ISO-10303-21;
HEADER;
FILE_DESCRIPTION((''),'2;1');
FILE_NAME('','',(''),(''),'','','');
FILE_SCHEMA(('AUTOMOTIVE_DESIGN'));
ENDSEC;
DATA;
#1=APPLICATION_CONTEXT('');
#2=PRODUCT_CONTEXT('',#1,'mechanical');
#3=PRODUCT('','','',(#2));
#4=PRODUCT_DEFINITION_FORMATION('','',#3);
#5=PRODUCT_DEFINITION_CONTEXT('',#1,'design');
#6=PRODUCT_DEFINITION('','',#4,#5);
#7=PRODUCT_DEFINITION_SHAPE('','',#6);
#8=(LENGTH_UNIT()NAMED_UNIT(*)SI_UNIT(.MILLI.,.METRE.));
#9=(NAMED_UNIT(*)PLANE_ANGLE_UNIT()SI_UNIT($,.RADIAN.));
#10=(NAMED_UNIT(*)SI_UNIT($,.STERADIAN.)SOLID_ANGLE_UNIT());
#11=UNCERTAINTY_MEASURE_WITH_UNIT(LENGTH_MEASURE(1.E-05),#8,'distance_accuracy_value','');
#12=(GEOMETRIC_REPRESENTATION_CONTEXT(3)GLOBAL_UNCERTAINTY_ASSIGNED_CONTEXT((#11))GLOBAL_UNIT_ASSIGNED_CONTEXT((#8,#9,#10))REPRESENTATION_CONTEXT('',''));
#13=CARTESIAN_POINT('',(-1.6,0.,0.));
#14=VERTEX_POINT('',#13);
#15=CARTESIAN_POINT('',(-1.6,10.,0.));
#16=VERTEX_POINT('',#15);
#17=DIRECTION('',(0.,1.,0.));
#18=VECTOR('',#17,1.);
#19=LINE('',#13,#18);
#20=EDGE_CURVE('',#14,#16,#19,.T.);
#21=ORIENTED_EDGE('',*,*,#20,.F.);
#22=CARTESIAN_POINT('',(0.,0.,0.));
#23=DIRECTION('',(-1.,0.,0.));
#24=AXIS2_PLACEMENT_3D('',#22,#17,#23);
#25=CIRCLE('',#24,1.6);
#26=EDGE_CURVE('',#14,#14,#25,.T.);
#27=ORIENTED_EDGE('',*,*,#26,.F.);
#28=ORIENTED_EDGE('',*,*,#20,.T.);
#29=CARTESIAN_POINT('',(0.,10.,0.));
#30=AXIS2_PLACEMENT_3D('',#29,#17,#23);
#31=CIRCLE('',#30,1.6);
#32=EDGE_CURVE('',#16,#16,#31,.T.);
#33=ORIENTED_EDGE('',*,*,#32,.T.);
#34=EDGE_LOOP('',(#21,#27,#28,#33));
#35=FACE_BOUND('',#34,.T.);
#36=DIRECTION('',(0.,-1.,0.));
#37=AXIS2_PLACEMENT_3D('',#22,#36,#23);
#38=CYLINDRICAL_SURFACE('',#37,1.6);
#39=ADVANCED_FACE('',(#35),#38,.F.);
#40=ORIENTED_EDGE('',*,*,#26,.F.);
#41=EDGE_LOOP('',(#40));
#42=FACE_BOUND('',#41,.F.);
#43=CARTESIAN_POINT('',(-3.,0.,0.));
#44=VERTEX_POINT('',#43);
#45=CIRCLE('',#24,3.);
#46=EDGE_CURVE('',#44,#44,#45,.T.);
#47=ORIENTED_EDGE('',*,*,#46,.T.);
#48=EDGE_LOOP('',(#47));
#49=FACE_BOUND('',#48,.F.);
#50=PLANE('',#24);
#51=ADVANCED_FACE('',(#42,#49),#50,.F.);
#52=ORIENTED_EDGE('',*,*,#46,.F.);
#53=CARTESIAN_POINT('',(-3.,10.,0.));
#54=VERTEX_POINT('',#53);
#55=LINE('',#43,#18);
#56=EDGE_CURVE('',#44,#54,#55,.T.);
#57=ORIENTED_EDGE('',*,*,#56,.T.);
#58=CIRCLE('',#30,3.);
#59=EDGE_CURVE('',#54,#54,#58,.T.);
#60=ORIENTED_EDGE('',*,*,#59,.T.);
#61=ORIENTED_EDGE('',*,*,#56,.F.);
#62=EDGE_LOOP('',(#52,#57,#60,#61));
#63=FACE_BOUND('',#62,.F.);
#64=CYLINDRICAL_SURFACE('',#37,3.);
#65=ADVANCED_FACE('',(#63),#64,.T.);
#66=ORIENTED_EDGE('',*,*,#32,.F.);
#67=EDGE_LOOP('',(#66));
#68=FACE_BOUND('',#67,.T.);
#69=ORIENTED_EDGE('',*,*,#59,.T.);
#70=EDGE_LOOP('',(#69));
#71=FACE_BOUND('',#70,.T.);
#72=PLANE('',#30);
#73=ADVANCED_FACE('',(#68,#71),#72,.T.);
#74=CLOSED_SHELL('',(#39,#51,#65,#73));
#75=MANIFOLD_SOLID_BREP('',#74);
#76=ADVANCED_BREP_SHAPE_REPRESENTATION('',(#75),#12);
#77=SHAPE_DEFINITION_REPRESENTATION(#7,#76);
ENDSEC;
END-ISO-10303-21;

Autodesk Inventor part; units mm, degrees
ref_plane "YZ Plane" through (0, 0, 0) normal (1, 0, 0) x (0, 1, 0)
ref_plane "XZ Plane" through (0, 0, 0) normal (0, 1, 0) x (-1, 0, 0)
ref_plane "XY Plane" through (0, 0, 0) normal (0, 0, 1) x (1, 0, 0)
sketch "Sketch1" plane through (0, 0, 0) normal (0, 1, 0) x (-1, 0, 0)
  circle A0 centre (0, 0) radius 1.6
  circle A1 centre (0, 0) radius 3
  dimension "d0" = 3.2
  dimension "d1" = 6
extrude "Extrusion1" add sketch "Sketch1" along normal blind 10
properties part number "small_pillar"
